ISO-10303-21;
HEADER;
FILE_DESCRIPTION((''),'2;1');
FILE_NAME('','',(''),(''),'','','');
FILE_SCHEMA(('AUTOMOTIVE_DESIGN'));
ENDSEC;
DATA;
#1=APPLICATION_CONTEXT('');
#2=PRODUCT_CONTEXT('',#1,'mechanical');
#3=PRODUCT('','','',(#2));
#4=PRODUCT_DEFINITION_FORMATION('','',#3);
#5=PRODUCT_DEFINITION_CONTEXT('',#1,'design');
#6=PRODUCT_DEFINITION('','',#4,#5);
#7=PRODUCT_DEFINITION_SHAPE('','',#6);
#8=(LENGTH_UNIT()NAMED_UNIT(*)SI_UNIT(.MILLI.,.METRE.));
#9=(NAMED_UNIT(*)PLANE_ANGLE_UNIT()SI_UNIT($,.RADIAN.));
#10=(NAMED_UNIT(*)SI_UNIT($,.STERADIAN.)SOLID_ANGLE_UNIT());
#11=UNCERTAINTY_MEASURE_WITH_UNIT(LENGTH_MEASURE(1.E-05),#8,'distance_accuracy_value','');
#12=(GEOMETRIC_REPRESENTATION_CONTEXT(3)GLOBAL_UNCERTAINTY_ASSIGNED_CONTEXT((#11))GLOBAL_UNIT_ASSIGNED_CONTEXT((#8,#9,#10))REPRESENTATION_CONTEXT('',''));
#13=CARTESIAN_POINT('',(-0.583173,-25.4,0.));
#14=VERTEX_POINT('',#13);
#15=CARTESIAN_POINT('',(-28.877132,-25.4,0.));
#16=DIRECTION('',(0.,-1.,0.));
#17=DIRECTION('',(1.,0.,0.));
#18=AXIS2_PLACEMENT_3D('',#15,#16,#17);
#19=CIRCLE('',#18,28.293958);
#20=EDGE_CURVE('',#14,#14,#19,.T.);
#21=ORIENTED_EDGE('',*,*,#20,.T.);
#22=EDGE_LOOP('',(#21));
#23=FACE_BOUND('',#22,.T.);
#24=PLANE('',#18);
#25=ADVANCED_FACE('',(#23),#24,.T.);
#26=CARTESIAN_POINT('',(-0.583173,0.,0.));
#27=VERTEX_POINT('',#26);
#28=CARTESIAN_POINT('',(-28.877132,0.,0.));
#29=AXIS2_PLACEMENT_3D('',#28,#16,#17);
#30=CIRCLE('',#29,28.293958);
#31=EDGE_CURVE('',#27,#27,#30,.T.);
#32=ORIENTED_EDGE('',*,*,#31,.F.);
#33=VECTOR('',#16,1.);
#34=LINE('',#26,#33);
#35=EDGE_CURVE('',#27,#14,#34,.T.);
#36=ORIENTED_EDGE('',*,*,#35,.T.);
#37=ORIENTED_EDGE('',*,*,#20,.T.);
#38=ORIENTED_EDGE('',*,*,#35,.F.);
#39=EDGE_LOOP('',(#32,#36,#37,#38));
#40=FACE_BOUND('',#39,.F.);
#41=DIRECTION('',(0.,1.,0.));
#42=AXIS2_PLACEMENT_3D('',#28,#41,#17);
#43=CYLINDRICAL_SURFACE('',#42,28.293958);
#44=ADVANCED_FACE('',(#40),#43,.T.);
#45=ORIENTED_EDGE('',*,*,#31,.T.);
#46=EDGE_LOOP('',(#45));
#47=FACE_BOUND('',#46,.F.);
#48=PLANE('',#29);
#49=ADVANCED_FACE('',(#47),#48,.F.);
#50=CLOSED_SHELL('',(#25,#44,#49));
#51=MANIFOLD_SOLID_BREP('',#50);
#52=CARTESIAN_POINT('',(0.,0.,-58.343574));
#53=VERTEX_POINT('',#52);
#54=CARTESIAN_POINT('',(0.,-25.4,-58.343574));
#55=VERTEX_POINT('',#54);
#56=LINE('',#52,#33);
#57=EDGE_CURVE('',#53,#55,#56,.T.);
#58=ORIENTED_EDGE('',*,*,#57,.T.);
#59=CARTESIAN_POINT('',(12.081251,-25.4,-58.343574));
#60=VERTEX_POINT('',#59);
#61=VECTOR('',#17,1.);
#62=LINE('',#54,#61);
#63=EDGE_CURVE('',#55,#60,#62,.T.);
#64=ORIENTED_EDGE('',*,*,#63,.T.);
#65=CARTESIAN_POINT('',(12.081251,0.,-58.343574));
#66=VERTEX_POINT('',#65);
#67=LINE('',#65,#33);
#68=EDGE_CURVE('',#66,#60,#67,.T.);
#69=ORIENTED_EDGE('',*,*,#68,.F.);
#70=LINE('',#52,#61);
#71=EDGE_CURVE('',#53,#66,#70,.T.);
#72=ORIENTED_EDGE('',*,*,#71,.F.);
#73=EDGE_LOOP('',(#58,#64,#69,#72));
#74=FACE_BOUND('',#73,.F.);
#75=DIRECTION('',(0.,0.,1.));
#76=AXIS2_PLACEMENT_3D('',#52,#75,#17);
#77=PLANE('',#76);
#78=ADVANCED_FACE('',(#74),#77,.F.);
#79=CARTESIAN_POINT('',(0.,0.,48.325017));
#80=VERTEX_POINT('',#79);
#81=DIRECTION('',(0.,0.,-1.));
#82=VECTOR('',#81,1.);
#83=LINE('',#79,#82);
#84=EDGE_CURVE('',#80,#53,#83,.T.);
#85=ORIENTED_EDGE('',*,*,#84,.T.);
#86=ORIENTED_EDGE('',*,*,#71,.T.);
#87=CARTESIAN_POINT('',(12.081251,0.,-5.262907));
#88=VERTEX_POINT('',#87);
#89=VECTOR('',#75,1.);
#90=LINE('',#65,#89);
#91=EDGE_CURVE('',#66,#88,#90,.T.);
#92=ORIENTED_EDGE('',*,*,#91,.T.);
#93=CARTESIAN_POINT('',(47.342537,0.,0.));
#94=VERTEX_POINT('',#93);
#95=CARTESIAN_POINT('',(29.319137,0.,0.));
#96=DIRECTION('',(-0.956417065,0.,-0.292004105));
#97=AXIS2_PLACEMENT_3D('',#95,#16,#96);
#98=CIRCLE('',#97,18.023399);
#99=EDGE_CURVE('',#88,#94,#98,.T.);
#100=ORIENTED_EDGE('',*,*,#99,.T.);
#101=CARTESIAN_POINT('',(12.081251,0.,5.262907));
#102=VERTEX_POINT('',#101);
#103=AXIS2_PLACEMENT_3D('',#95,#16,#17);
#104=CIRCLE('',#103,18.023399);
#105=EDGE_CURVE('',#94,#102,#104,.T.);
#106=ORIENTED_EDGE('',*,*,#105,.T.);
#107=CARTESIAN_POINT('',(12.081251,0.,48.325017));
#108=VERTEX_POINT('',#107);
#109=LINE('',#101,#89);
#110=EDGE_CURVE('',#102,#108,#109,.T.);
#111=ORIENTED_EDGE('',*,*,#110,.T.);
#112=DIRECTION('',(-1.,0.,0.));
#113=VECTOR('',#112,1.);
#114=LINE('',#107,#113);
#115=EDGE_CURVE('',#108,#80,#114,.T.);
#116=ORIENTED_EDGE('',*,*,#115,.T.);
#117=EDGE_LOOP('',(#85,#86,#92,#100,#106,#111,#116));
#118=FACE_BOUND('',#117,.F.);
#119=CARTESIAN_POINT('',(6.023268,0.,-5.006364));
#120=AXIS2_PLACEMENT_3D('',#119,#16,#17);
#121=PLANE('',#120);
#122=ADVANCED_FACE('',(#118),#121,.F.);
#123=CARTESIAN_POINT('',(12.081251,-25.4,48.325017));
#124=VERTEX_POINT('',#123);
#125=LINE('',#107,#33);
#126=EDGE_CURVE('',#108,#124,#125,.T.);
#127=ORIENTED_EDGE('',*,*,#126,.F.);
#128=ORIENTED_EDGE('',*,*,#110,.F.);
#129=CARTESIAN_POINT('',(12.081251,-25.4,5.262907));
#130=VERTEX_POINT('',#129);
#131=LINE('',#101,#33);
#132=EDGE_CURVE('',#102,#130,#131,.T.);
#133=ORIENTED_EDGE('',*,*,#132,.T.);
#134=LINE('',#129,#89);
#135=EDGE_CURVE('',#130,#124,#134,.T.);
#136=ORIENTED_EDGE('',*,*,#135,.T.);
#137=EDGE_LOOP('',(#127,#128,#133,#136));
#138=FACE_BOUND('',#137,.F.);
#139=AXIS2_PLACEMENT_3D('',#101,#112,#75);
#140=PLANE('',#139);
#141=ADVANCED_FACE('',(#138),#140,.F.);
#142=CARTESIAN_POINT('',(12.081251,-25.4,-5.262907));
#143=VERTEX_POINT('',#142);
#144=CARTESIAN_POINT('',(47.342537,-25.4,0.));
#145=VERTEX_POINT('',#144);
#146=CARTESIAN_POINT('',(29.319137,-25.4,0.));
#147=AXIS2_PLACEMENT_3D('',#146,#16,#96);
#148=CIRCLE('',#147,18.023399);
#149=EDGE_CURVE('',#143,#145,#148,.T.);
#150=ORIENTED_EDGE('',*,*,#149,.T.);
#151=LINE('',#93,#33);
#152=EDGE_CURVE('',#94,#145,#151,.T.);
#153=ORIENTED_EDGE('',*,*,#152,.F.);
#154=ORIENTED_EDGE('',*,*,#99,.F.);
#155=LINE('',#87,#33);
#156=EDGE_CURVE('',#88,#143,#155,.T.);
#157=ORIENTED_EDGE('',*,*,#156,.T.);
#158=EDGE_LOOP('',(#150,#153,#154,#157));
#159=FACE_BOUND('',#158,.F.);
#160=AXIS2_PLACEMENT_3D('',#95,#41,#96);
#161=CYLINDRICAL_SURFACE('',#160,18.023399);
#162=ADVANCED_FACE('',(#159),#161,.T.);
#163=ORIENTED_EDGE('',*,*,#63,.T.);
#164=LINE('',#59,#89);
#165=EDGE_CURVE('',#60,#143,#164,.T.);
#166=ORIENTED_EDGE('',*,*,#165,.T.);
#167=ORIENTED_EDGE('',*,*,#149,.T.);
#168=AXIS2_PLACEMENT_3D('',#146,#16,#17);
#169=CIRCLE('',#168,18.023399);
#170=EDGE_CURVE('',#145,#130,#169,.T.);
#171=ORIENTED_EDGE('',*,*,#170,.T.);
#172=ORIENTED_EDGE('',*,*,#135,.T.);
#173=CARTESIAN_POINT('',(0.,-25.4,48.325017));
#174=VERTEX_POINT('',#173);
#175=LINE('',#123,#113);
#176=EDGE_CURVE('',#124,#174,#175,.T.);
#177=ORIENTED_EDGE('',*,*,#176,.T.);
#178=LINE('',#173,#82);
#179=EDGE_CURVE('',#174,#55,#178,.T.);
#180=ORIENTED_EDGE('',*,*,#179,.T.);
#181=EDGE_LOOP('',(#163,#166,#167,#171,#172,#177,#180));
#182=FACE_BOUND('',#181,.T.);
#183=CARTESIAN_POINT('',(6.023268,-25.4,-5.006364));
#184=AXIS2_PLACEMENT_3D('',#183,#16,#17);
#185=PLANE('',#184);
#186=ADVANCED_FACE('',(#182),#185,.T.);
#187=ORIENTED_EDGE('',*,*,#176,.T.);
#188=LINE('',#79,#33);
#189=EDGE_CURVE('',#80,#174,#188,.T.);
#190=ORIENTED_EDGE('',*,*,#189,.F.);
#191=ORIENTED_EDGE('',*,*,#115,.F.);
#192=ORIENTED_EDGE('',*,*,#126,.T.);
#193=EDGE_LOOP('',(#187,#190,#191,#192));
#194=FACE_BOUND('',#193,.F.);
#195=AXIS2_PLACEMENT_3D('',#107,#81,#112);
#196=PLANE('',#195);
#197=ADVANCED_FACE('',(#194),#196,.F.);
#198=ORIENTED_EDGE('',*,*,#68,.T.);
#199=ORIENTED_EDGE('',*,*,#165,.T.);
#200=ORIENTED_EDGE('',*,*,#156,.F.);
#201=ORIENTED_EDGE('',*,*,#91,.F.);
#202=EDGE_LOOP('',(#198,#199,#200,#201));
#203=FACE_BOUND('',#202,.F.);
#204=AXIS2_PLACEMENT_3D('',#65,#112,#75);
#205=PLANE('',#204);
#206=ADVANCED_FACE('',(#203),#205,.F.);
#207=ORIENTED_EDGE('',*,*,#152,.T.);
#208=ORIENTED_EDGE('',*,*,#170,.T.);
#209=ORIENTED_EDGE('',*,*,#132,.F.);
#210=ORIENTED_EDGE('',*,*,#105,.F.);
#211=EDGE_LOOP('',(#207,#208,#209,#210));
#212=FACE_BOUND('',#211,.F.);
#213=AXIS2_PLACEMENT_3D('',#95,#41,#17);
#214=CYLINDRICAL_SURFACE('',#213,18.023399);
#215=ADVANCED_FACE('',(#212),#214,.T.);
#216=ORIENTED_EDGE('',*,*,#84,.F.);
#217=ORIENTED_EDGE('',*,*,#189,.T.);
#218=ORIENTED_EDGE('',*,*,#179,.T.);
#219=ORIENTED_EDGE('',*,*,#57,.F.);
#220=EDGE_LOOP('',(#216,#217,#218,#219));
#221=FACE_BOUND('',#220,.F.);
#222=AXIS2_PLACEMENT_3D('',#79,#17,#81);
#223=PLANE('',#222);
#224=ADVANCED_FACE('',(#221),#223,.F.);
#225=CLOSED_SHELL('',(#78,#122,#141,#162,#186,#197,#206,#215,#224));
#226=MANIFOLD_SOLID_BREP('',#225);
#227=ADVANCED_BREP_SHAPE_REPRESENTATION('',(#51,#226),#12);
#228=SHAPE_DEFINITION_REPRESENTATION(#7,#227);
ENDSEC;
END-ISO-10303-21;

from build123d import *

# Parameters (mm, degrees)
F1_DEPTH = 25.4
F0_R     = 28.2939583949


with BuildPart() as f1:
    # F0 (on Front) → F1 (new body)
    with BuildSketch(Plane.XZ):
        with BuildLine():
            Line((12.0812505484, 48.3250170946), (0, 48.3250170946))
            Line((0, 48.3250170946), (0, -58.3435744047))
            Line((0, -58.3435744047), (12.0812505484, -58.3435744047))
            Line((12.0812505484, -58.3435744047), (12.0812505484, -5.262906618))
            ThreePointArc((12.0812505484, -5.262906618), (11.2957379071, 0), (12.0812505484, 5.262906618))
            Line((12.0812505484, 5.262906618), (12.0812505484, 48.3250170946))
        make_face()
        with BuildLine():
            ThreePointArc((47.3425367626, 0), (31.9797395307, 17.8259396074), (12.0812505484, 5.262906618))
            Line((12.0812505484, 5.262906618), (12.0812505484, -5.262906618))
            ThreePointArc((12.0812505484, -5.262906618), (31.9797395307, -17.8259396074), (47.3425367626, 0))
        make_face()
        with BuildLine():
            Line((12.0812505484, -5.262906618), (12.0812505484, 5.262906618))
            ThreePointArc((12.0812505484, 5.262906618), (11.2957379071, 0), (12.0812505484, -5.262906618))
        make_face()
    extrude(amount=F1_DEPTH)


with BuildPart() as f1b:
    # F0 (on Front) → F1, piece 2 (new body)
    with BuildSketch(Plane.XZ):
        with Locations((-28.8771316409, 0)):
            Circle(F0_R)
    extrude(amount=F1_DEPTH)


solid = Compound([f1.part, f1b.part])
